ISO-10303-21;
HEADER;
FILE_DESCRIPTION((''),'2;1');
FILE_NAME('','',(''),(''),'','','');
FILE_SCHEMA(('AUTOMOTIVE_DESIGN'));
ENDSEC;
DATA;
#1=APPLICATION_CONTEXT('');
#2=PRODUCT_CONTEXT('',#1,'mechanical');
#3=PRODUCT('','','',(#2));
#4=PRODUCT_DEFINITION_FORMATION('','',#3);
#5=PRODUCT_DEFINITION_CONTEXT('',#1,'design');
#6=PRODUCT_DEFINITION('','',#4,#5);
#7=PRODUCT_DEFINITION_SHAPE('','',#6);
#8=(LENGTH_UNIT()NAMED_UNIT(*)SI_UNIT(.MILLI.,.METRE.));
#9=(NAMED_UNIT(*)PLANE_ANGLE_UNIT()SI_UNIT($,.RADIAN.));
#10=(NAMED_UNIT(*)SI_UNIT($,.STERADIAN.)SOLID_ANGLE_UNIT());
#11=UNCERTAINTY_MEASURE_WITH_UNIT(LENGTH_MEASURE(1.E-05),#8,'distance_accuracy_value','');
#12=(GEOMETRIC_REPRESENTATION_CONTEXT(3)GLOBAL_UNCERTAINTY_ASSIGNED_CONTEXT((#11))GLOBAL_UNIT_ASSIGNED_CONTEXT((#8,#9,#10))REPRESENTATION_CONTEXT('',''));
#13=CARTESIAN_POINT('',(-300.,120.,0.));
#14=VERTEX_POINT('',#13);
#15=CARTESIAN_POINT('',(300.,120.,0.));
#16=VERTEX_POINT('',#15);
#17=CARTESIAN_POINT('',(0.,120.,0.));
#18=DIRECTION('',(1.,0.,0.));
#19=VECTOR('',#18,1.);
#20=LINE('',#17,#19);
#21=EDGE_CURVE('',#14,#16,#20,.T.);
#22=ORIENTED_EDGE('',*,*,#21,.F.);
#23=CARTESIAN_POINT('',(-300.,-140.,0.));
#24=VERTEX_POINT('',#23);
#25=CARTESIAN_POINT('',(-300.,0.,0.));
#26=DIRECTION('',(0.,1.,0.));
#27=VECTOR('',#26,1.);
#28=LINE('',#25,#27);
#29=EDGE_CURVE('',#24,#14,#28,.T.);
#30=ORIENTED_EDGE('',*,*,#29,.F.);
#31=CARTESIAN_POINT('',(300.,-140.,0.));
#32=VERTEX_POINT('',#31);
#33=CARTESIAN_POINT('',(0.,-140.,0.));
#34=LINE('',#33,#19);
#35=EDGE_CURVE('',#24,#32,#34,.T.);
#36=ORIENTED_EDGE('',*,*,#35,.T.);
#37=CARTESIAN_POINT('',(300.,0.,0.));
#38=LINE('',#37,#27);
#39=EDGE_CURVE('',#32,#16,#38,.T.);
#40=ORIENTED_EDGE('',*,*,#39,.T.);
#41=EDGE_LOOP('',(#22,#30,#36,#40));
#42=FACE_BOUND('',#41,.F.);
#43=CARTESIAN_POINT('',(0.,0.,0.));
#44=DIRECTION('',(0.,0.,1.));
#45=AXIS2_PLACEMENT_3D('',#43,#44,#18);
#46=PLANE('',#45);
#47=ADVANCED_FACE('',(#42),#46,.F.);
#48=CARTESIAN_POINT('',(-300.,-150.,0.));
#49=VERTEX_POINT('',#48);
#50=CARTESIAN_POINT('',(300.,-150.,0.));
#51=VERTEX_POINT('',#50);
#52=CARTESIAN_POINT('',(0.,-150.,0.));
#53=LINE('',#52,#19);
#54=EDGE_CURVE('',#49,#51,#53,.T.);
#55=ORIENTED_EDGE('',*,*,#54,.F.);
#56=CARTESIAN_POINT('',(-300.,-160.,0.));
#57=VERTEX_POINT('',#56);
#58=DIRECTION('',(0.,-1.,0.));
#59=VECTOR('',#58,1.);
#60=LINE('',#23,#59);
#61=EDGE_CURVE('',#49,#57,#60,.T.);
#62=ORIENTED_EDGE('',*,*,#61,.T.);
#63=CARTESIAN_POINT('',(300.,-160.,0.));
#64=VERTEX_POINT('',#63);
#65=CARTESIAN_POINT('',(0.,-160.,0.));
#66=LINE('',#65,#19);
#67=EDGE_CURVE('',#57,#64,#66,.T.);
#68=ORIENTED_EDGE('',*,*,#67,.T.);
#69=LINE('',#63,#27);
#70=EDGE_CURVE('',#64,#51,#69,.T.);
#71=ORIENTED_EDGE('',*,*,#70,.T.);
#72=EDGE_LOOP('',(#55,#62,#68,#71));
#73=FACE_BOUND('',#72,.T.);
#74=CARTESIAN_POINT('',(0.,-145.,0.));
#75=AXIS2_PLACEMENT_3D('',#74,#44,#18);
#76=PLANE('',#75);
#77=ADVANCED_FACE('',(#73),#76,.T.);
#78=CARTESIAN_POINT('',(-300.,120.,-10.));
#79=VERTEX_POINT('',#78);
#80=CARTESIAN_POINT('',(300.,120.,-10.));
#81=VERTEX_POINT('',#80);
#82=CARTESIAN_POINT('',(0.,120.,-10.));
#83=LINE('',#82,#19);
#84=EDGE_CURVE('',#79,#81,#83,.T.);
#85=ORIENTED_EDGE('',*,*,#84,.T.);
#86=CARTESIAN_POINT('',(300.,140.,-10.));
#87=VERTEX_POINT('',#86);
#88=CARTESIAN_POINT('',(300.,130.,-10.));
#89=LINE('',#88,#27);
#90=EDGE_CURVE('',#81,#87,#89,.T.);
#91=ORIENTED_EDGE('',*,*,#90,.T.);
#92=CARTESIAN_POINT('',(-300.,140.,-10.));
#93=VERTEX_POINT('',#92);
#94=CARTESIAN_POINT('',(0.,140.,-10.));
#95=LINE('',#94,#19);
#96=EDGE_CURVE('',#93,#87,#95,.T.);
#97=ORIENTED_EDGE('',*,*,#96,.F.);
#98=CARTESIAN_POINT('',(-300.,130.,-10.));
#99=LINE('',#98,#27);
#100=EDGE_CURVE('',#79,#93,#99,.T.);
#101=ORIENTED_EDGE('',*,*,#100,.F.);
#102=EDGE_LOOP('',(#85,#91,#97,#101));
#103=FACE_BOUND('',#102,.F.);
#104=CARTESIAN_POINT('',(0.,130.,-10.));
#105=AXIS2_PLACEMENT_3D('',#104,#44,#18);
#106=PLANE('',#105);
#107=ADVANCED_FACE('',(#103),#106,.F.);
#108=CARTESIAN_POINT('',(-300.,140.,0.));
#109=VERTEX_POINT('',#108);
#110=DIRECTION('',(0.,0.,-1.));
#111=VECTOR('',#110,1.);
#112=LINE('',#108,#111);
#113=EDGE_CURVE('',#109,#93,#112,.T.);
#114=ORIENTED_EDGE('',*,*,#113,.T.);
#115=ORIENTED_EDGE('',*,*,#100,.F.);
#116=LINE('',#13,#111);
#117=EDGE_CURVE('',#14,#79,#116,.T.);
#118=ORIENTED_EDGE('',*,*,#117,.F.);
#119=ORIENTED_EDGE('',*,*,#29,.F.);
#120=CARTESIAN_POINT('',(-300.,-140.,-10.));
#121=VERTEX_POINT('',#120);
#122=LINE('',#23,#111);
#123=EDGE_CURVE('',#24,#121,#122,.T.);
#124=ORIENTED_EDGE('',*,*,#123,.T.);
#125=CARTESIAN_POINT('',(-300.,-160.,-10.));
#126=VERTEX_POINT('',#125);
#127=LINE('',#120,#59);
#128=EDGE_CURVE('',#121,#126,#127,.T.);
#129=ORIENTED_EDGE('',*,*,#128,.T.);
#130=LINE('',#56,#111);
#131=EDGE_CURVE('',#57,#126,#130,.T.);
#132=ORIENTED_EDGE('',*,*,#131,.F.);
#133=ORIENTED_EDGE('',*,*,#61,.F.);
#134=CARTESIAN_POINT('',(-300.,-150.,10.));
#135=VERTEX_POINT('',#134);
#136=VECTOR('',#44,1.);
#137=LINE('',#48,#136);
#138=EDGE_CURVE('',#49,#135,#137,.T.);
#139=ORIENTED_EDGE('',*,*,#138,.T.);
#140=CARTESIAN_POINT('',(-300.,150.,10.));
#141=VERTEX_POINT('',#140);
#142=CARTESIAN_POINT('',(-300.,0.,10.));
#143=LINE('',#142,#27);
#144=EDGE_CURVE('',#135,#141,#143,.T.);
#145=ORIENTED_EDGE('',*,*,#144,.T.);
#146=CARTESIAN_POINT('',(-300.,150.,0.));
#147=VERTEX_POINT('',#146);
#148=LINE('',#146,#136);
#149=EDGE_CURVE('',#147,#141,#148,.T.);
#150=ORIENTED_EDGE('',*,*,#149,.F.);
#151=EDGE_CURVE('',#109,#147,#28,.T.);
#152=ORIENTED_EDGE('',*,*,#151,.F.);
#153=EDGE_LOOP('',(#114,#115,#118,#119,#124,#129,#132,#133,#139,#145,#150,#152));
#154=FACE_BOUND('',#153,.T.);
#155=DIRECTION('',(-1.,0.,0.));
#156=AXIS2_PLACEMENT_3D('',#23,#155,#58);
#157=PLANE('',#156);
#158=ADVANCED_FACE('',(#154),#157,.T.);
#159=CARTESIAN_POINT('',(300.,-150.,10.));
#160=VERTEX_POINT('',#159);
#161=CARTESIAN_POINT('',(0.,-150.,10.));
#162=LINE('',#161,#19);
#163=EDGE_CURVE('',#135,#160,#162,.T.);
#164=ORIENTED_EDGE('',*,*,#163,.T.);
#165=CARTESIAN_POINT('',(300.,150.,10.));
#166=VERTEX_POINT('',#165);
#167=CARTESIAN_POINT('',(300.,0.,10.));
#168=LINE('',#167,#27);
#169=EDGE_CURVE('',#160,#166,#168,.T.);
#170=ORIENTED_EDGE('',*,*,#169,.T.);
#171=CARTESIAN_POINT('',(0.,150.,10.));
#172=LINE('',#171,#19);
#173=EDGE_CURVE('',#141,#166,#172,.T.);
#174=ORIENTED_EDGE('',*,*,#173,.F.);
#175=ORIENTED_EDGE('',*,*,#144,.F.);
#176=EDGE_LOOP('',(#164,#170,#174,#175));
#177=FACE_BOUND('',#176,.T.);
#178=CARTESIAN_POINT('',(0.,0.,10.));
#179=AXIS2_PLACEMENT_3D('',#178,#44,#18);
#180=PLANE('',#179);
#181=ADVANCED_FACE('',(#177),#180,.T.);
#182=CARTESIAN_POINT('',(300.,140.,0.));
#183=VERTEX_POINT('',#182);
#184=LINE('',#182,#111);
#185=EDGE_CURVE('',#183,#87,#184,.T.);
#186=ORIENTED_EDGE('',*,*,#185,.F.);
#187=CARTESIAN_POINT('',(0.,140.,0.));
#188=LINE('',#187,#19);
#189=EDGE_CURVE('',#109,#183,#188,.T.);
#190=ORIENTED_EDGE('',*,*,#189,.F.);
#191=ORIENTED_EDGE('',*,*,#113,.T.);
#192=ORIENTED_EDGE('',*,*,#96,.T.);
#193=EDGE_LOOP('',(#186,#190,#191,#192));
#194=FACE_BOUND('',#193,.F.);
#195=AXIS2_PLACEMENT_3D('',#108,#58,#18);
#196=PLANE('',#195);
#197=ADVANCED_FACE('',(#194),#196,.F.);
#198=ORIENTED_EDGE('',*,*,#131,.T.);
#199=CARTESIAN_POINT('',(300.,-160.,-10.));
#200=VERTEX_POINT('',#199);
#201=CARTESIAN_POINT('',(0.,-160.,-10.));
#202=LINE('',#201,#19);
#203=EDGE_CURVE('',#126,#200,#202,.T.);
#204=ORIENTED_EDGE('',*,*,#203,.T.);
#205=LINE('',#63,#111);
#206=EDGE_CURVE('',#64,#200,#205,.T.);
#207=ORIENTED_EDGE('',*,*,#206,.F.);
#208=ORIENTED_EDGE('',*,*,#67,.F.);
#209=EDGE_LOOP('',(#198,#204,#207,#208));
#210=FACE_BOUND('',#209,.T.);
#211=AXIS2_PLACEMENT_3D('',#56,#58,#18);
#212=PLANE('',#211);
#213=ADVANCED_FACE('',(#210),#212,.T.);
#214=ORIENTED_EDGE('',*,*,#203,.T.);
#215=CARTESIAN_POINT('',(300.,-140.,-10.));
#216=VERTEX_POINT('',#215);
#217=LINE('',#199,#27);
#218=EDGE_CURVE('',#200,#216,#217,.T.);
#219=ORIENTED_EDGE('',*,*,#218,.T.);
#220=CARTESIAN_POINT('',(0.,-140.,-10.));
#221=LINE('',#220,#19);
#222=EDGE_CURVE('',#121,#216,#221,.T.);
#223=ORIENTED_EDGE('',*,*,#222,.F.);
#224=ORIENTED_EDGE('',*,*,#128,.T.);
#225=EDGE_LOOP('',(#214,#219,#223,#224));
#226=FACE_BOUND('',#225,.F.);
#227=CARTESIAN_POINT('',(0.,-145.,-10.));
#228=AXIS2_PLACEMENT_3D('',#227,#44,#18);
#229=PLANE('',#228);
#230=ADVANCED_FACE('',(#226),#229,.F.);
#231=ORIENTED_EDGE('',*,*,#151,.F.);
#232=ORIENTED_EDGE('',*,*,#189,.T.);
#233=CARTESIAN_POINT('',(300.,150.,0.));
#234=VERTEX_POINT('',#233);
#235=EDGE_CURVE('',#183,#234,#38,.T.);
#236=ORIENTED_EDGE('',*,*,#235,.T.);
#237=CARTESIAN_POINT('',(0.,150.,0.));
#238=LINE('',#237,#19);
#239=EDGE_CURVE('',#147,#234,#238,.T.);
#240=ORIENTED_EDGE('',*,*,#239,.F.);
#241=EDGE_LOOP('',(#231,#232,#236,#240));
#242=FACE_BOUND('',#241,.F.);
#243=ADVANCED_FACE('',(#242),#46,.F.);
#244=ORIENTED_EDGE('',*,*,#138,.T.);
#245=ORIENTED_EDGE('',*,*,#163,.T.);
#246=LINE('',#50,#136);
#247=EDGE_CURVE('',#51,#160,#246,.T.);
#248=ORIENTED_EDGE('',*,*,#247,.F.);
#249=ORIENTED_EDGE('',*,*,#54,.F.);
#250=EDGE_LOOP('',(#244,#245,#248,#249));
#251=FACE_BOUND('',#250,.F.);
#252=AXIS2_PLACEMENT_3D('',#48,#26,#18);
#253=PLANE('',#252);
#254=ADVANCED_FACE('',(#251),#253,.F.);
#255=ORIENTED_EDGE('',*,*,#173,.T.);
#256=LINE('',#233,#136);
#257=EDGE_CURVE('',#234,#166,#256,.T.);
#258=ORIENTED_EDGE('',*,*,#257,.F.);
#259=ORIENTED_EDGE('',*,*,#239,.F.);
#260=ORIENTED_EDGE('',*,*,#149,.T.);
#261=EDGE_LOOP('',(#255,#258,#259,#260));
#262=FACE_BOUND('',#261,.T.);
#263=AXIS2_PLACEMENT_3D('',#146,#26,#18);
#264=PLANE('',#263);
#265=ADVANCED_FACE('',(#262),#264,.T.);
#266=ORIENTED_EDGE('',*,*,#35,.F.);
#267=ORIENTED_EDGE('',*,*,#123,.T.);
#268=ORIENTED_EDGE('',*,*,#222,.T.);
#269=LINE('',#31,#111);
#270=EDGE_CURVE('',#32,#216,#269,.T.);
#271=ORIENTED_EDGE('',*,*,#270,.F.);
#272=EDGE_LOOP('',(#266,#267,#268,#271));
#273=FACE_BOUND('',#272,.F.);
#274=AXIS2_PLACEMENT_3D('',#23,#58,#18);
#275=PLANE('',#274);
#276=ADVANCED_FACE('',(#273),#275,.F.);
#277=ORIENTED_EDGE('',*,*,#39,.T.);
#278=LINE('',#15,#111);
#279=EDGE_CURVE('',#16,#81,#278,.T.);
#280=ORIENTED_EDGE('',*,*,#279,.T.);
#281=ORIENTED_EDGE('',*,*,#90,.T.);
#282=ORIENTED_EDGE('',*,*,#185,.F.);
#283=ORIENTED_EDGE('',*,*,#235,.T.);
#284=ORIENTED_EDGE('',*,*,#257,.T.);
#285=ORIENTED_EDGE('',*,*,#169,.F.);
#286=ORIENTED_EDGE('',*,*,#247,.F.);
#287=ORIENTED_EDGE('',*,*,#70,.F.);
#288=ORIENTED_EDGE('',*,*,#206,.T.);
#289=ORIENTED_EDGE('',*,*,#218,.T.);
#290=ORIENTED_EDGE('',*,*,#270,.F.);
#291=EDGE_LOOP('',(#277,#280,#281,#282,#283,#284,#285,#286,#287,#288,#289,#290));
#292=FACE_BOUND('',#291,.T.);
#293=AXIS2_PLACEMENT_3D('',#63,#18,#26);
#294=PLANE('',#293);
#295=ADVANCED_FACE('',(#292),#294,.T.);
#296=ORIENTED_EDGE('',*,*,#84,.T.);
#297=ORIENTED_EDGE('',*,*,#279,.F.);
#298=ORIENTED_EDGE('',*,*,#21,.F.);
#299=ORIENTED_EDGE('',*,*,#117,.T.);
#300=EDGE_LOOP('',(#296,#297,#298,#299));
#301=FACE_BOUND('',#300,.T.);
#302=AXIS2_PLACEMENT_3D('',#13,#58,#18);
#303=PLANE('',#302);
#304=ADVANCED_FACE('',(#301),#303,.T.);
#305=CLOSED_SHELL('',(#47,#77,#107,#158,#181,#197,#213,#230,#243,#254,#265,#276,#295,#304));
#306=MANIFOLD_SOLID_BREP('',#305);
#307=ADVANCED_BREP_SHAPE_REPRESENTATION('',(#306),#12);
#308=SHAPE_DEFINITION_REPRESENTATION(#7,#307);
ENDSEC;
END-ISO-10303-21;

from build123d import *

# Parameters (mm, degrees)
F0_W     = 600
F0_H     = 300
F1_DEPTH = 10
F2_W     = 600
F2_H     = 10
F2_H_2   = 20
F3_DEPTH = 10


with BuildPart() as f1:
    # F0 (on Top) → F1 (new body)
    with BuildSketch(Plane.XY):
        Rectangle(F0_W, F0_H)
    extrude(amount=F1_DEPTH)

    # F2 (on face) → F3 (join)
    with BuildSketch(Plane.XY):
        with Locations((0, -145)):
            Rectangle(F2_W, F2_H)
        with Locations((0, -155)):
            Rectangle(F2_W, F2_H)
        with Locations((0, 130)):
            Rectangle(F2_W, F2_H_2)
    extrude(amount=-F3_DEPTH)


solid = f1.part
